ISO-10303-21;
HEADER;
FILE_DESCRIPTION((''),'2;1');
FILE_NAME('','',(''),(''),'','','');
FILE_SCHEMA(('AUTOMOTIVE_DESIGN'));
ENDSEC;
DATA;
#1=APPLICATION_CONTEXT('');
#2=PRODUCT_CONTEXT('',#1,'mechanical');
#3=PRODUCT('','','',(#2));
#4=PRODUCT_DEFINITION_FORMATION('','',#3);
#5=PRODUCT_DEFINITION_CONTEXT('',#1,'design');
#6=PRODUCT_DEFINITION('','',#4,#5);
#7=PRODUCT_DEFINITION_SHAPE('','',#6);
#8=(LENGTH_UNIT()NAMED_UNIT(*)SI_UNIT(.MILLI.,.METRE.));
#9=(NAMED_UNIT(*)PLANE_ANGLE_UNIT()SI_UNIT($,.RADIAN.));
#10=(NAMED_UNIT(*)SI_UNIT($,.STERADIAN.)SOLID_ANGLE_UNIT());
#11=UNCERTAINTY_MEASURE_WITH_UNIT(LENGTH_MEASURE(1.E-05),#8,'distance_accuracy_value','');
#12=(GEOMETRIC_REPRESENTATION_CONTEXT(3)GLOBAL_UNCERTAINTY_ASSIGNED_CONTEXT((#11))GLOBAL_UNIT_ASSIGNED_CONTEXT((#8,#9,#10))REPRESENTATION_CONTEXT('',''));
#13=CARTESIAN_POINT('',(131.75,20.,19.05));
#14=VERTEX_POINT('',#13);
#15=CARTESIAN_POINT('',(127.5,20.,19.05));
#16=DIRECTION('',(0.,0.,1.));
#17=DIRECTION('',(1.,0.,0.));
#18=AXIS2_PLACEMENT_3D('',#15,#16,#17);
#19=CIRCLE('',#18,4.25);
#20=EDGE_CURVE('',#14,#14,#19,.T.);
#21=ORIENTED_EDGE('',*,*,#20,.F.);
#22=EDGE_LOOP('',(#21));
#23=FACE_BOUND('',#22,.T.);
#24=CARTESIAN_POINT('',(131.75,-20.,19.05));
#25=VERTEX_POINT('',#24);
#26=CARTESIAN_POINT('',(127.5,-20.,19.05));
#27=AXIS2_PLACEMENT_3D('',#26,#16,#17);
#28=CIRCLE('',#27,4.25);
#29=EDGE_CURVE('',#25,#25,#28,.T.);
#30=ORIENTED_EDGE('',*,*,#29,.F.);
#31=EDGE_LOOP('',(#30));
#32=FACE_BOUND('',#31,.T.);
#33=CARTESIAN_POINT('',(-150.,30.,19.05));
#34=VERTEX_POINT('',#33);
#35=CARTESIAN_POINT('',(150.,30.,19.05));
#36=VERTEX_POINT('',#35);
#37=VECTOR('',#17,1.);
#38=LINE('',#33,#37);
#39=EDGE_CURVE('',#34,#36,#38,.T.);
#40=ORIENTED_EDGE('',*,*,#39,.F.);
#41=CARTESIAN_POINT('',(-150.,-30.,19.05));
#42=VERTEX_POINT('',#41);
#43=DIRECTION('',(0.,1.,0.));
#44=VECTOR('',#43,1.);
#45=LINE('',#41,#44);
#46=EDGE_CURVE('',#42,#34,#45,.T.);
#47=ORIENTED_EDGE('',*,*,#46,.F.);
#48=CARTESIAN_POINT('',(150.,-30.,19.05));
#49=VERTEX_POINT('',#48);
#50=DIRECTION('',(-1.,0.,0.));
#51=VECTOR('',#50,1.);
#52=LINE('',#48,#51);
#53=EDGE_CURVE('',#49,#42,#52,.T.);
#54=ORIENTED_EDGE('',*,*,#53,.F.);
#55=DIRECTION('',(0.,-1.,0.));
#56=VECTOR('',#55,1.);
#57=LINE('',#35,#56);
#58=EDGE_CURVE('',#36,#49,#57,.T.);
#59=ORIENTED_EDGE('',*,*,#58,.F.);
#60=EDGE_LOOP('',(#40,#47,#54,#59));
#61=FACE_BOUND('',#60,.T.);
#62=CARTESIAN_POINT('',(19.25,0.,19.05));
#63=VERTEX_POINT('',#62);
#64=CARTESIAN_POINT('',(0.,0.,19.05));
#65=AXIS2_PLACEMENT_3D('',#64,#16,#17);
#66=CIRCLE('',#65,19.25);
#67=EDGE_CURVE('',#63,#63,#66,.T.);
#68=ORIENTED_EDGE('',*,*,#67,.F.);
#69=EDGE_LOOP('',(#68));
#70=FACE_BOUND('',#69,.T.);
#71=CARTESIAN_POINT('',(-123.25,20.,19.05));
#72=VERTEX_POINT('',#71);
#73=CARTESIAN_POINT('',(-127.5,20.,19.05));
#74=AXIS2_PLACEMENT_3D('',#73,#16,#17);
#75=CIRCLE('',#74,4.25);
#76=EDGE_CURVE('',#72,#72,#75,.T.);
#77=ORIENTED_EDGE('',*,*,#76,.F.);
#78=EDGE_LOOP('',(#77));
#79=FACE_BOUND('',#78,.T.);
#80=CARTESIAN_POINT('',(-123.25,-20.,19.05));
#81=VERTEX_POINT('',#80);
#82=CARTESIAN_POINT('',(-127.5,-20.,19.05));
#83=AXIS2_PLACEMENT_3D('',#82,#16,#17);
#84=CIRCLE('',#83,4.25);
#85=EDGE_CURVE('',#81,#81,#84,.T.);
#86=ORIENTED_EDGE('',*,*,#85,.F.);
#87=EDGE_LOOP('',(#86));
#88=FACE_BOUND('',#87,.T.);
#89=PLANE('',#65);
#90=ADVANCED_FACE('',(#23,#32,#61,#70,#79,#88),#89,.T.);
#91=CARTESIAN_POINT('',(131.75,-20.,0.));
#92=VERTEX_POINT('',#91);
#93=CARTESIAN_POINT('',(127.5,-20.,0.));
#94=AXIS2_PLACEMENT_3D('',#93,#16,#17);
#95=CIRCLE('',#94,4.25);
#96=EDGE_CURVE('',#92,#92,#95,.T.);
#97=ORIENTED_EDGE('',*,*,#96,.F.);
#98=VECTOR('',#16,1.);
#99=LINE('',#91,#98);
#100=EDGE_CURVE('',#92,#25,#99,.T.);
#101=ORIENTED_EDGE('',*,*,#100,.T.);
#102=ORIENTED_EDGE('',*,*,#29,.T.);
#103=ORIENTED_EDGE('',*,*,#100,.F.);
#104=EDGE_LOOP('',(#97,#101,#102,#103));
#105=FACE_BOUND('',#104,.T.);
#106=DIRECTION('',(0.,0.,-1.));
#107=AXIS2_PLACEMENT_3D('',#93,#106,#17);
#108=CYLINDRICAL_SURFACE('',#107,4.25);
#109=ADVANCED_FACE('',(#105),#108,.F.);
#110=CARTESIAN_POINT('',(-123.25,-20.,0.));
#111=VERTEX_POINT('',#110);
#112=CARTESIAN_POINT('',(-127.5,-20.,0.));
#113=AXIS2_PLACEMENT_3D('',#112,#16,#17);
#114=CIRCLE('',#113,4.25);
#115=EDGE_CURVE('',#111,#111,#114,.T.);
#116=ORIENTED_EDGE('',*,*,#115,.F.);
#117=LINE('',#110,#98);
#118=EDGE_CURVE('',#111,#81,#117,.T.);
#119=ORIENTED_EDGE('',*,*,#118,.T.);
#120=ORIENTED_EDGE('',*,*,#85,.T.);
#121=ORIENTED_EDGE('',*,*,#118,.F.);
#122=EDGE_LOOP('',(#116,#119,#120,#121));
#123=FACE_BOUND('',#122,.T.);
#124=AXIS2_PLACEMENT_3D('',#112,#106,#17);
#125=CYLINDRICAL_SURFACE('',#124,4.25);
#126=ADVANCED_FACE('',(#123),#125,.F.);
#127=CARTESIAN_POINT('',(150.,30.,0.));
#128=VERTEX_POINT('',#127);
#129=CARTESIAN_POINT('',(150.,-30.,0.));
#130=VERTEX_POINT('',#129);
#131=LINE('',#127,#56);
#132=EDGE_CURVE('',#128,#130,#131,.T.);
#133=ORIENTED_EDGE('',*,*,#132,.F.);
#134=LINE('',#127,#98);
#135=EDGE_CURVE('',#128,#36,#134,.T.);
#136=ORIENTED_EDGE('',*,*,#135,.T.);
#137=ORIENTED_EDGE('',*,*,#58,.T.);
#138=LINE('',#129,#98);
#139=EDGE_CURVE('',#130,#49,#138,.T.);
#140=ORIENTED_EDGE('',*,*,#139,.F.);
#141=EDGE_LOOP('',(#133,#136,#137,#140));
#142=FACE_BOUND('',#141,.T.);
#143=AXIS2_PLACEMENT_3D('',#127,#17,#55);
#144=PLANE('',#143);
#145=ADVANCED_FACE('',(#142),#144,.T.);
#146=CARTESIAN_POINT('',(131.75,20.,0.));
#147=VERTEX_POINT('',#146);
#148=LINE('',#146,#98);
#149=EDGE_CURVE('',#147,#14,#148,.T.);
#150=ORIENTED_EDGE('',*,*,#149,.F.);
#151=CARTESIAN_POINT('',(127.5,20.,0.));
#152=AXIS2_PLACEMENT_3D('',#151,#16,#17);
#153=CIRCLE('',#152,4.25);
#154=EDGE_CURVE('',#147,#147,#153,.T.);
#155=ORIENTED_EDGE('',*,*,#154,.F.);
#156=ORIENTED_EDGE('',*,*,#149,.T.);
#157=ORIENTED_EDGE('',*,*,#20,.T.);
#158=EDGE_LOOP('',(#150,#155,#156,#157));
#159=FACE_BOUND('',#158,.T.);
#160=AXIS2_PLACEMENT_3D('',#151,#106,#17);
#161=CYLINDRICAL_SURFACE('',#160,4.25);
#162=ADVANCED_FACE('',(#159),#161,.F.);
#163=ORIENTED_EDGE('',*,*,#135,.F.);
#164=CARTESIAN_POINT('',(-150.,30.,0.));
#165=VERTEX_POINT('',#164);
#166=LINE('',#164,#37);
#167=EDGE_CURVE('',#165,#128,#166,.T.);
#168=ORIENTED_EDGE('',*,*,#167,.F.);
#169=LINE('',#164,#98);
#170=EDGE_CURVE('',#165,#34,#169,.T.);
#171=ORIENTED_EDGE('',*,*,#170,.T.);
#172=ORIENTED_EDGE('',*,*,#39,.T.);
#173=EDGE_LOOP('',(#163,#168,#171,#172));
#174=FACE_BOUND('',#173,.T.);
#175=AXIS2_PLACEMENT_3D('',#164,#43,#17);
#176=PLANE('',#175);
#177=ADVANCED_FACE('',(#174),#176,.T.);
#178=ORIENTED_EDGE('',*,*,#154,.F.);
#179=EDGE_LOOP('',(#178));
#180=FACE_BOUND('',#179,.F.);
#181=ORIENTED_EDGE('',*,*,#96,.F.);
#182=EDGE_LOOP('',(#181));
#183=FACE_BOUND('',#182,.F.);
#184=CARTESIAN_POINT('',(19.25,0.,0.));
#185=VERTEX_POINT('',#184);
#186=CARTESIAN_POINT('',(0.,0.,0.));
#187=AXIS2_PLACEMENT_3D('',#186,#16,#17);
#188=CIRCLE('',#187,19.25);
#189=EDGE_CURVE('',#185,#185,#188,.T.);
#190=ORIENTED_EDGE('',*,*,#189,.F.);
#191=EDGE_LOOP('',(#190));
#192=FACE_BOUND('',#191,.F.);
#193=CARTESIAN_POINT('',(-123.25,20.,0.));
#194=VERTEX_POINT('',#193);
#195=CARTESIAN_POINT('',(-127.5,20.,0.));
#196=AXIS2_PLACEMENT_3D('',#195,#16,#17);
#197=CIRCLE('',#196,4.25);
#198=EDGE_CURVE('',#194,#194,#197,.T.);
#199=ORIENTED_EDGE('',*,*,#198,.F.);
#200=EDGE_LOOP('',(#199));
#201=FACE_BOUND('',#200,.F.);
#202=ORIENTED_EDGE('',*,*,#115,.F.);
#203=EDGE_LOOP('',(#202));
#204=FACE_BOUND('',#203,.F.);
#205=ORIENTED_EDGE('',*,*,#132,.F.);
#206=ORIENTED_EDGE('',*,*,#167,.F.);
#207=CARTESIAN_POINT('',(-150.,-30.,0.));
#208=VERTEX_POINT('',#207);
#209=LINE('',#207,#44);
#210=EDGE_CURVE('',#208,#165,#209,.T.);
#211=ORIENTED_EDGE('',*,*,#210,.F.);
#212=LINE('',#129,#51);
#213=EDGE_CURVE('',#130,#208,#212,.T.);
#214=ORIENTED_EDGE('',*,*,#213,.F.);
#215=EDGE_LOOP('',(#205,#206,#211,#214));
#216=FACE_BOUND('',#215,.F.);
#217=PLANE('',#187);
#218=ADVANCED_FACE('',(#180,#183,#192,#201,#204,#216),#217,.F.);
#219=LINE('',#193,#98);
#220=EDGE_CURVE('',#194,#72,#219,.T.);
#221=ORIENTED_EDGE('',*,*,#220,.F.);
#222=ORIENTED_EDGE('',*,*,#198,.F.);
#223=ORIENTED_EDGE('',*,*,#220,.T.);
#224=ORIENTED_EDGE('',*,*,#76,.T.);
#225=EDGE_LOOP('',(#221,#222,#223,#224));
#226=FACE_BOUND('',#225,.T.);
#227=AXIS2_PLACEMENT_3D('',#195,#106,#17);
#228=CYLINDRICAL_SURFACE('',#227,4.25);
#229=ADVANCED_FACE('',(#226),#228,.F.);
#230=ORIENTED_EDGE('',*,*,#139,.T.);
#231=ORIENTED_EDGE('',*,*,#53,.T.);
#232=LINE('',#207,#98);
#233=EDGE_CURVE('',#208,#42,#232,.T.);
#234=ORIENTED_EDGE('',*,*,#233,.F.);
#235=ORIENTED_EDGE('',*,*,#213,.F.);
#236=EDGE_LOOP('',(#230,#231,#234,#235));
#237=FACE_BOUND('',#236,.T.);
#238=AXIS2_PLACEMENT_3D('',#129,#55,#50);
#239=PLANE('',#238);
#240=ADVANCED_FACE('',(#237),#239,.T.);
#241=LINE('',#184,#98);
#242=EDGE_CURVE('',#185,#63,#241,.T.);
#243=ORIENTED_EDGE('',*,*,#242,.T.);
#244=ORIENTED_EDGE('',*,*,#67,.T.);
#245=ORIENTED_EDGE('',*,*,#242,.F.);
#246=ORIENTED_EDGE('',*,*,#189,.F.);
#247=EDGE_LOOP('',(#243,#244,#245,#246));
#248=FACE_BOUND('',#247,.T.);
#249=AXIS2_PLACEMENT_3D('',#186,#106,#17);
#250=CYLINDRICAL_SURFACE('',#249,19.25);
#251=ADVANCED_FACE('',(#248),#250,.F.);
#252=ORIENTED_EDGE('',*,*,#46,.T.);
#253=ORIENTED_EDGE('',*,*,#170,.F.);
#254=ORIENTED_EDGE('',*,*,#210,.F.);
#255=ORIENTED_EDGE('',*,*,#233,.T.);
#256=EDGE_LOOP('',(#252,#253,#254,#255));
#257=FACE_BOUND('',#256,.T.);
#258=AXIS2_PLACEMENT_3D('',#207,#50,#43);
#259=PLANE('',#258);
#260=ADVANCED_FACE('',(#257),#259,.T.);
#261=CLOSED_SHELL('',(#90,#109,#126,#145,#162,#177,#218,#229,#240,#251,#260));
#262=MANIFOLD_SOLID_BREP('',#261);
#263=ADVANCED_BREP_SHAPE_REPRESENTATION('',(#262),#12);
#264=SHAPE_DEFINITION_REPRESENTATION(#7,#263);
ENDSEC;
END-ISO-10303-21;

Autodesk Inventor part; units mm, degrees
ref_plane "YZ Plane" through (0, 0, 0) normal (1, 0, 0) x (0, 1, 0)
ref_plane "XZ Plane" through (0, 0, 0) normal (0, 1, 0) x (-1, 0, 0)
ref_plane "XY Plane" through (0, 0, 0) normal (0, 0, 1) x (1, 0, 0)
sketch "Sketch1" plane through (0, 0, 0) normal (0, 0, 1) x (1, 0, 0)
  line L0 (-150, 30) -> (150, 30)
  line L1 (150, 30) -> (150, -30)
  line L2 (150, -30) -> (-150, -30)
  line L3 (-150, -30) -> (-150, 30)
  circle A0 centre (0, 0) radius 19.25
  circle A1 centre (-127.5, 20) radius 4.25
  circle A2 centre (-127.5, -20) radius 4.25
  circle A3 centre (127.5, 20) radius 4.25
  circle A4 centre (127.5, -20) radius 4.25
  dimension "d0" = 300
  dimension "d1" = 150
  dimension "d2" = 38.5
  dimension "d3" = 60
  dimension "d4" = 30
  dimension "d5" = 8.5
  dimension "d6" = 22.5
  dimension "d7" = 22.5
  dimension "d8" = 22.5
  dimension "d9" = 22.5
  dimension "d10" = 10
  dimension "d11" = 10
  dimension "d12" = 10
  dimension "d13" = 10
extrude "Extrusion1" add sketch "Sketch1" along normal blind 19.05
properties part number "1236_Spool Shaft Support Plate_V1" material "Aluminum"
